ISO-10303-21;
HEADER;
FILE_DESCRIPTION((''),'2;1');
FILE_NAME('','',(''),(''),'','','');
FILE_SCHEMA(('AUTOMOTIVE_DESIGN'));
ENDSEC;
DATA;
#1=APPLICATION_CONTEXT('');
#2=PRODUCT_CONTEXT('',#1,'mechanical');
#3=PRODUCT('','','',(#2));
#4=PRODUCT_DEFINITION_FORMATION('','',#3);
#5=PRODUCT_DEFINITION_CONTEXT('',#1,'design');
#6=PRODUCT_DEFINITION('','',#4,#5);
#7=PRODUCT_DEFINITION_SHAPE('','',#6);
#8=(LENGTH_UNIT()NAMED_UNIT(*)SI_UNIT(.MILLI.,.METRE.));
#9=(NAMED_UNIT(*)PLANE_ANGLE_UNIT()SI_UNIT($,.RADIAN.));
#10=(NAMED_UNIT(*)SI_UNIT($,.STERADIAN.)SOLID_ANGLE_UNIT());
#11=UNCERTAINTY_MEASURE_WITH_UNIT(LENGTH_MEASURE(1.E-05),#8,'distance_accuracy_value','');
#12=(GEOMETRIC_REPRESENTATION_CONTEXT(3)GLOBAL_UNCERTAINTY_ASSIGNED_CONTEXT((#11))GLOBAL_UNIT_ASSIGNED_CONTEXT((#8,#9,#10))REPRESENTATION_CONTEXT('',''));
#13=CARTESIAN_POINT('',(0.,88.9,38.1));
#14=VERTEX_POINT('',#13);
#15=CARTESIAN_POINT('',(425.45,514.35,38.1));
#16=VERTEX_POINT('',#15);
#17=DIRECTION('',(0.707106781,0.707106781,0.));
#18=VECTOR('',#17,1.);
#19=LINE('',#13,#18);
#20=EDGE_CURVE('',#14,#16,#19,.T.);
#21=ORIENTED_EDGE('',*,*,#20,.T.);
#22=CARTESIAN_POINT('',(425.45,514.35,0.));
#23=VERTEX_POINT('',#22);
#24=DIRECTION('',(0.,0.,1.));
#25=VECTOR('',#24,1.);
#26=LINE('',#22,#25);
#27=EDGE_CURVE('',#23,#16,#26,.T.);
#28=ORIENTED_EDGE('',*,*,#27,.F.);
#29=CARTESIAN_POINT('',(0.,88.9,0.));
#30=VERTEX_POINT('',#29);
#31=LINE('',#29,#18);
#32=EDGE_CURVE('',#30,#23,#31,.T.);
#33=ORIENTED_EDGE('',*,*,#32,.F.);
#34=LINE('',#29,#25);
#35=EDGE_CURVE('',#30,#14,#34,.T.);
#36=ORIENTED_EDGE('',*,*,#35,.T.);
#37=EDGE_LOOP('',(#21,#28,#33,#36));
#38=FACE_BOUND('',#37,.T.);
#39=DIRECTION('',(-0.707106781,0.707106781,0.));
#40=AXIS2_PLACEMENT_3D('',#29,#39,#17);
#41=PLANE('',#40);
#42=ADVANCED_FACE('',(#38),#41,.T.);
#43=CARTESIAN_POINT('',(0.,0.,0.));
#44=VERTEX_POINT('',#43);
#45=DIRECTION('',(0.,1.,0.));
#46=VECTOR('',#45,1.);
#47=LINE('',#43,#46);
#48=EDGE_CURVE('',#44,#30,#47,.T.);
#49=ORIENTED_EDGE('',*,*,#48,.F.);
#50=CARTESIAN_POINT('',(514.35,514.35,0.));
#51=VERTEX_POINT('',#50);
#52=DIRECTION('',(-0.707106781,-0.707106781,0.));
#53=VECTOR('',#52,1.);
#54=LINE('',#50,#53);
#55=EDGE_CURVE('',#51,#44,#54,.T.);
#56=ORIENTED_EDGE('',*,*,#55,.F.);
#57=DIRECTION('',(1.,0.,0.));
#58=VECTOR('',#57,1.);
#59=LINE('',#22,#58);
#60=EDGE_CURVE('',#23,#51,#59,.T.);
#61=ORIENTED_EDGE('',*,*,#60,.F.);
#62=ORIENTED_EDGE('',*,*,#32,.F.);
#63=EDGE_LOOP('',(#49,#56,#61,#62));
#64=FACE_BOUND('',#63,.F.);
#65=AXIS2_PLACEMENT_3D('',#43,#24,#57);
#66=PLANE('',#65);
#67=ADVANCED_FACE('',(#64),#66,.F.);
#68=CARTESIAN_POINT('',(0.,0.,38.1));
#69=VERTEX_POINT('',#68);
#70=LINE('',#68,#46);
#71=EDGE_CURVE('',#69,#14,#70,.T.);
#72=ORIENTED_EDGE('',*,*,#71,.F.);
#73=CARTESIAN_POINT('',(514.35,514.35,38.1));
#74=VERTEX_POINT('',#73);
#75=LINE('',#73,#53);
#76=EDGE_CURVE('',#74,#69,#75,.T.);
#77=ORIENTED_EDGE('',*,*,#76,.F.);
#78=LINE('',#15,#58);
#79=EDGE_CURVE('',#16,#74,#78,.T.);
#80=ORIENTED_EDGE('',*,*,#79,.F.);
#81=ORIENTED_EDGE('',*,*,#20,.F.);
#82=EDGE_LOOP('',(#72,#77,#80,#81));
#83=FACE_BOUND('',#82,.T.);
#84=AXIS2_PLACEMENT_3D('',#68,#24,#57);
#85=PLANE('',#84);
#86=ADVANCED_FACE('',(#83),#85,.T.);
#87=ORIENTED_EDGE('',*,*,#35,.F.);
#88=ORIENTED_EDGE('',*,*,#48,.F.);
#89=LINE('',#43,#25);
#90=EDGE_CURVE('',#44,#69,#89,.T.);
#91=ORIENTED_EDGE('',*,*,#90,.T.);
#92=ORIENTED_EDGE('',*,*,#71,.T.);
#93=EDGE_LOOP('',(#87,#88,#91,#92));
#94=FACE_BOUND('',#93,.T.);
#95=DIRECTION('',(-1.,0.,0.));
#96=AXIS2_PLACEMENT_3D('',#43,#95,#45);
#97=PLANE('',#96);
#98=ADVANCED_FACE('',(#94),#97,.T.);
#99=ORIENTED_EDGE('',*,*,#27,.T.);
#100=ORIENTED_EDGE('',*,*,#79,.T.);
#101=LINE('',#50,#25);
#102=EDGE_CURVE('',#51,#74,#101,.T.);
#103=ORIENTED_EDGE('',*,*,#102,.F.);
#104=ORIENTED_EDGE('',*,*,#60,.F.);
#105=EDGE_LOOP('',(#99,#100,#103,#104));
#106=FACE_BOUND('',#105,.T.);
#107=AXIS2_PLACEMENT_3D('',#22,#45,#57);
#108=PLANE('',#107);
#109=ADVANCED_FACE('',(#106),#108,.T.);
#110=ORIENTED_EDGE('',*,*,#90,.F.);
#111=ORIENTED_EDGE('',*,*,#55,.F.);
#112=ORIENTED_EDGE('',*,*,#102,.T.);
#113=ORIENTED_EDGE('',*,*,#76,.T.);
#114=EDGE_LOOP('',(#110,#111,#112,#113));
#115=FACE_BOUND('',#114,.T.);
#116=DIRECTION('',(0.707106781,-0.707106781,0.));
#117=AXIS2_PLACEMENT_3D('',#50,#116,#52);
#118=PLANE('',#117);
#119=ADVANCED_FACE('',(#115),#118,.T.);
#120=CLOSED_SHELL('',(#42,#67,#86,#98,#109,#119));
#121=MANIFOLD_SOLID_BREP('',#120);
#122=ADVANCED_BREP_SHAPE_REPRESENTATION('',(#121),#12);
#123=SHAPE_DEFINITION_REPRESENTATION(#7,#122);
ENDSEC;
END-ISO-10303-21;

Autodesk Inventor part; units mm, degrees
ref_plane "YZ Plane" through (0, 0, 0) normal (1, 0, 0) x (0, 1, 0)
ref_plane "XZ Plane" through (0, 0, 0) normal (0, 1, 0) x (-1, 0, 0)
ref_plane "XY Plane" through (0, 0, 0) normal (0, 0, 1) x (1, 0, 0)
sketch "Sketch1" plane through (0, 0, 0) normal (0, 0, 1) x (1, 0, 0)
  line L0 (514.35, 514.35) -> (0, 0)
  line L1 (0, 0) -> (0, 88.9)
  line L2 (0, 88.9) -> (425.45, 514.35)
  line L3 (425.45, 514.35) -> (514.35, 514.35)
  point P0 (514.35, 0)
  dimension "d0" = 88.9
extrude "Extrusion1" add sketch "Sketch1" along normal blind 38.1
properties part number "LBackAnglePiece" material "Wood"
